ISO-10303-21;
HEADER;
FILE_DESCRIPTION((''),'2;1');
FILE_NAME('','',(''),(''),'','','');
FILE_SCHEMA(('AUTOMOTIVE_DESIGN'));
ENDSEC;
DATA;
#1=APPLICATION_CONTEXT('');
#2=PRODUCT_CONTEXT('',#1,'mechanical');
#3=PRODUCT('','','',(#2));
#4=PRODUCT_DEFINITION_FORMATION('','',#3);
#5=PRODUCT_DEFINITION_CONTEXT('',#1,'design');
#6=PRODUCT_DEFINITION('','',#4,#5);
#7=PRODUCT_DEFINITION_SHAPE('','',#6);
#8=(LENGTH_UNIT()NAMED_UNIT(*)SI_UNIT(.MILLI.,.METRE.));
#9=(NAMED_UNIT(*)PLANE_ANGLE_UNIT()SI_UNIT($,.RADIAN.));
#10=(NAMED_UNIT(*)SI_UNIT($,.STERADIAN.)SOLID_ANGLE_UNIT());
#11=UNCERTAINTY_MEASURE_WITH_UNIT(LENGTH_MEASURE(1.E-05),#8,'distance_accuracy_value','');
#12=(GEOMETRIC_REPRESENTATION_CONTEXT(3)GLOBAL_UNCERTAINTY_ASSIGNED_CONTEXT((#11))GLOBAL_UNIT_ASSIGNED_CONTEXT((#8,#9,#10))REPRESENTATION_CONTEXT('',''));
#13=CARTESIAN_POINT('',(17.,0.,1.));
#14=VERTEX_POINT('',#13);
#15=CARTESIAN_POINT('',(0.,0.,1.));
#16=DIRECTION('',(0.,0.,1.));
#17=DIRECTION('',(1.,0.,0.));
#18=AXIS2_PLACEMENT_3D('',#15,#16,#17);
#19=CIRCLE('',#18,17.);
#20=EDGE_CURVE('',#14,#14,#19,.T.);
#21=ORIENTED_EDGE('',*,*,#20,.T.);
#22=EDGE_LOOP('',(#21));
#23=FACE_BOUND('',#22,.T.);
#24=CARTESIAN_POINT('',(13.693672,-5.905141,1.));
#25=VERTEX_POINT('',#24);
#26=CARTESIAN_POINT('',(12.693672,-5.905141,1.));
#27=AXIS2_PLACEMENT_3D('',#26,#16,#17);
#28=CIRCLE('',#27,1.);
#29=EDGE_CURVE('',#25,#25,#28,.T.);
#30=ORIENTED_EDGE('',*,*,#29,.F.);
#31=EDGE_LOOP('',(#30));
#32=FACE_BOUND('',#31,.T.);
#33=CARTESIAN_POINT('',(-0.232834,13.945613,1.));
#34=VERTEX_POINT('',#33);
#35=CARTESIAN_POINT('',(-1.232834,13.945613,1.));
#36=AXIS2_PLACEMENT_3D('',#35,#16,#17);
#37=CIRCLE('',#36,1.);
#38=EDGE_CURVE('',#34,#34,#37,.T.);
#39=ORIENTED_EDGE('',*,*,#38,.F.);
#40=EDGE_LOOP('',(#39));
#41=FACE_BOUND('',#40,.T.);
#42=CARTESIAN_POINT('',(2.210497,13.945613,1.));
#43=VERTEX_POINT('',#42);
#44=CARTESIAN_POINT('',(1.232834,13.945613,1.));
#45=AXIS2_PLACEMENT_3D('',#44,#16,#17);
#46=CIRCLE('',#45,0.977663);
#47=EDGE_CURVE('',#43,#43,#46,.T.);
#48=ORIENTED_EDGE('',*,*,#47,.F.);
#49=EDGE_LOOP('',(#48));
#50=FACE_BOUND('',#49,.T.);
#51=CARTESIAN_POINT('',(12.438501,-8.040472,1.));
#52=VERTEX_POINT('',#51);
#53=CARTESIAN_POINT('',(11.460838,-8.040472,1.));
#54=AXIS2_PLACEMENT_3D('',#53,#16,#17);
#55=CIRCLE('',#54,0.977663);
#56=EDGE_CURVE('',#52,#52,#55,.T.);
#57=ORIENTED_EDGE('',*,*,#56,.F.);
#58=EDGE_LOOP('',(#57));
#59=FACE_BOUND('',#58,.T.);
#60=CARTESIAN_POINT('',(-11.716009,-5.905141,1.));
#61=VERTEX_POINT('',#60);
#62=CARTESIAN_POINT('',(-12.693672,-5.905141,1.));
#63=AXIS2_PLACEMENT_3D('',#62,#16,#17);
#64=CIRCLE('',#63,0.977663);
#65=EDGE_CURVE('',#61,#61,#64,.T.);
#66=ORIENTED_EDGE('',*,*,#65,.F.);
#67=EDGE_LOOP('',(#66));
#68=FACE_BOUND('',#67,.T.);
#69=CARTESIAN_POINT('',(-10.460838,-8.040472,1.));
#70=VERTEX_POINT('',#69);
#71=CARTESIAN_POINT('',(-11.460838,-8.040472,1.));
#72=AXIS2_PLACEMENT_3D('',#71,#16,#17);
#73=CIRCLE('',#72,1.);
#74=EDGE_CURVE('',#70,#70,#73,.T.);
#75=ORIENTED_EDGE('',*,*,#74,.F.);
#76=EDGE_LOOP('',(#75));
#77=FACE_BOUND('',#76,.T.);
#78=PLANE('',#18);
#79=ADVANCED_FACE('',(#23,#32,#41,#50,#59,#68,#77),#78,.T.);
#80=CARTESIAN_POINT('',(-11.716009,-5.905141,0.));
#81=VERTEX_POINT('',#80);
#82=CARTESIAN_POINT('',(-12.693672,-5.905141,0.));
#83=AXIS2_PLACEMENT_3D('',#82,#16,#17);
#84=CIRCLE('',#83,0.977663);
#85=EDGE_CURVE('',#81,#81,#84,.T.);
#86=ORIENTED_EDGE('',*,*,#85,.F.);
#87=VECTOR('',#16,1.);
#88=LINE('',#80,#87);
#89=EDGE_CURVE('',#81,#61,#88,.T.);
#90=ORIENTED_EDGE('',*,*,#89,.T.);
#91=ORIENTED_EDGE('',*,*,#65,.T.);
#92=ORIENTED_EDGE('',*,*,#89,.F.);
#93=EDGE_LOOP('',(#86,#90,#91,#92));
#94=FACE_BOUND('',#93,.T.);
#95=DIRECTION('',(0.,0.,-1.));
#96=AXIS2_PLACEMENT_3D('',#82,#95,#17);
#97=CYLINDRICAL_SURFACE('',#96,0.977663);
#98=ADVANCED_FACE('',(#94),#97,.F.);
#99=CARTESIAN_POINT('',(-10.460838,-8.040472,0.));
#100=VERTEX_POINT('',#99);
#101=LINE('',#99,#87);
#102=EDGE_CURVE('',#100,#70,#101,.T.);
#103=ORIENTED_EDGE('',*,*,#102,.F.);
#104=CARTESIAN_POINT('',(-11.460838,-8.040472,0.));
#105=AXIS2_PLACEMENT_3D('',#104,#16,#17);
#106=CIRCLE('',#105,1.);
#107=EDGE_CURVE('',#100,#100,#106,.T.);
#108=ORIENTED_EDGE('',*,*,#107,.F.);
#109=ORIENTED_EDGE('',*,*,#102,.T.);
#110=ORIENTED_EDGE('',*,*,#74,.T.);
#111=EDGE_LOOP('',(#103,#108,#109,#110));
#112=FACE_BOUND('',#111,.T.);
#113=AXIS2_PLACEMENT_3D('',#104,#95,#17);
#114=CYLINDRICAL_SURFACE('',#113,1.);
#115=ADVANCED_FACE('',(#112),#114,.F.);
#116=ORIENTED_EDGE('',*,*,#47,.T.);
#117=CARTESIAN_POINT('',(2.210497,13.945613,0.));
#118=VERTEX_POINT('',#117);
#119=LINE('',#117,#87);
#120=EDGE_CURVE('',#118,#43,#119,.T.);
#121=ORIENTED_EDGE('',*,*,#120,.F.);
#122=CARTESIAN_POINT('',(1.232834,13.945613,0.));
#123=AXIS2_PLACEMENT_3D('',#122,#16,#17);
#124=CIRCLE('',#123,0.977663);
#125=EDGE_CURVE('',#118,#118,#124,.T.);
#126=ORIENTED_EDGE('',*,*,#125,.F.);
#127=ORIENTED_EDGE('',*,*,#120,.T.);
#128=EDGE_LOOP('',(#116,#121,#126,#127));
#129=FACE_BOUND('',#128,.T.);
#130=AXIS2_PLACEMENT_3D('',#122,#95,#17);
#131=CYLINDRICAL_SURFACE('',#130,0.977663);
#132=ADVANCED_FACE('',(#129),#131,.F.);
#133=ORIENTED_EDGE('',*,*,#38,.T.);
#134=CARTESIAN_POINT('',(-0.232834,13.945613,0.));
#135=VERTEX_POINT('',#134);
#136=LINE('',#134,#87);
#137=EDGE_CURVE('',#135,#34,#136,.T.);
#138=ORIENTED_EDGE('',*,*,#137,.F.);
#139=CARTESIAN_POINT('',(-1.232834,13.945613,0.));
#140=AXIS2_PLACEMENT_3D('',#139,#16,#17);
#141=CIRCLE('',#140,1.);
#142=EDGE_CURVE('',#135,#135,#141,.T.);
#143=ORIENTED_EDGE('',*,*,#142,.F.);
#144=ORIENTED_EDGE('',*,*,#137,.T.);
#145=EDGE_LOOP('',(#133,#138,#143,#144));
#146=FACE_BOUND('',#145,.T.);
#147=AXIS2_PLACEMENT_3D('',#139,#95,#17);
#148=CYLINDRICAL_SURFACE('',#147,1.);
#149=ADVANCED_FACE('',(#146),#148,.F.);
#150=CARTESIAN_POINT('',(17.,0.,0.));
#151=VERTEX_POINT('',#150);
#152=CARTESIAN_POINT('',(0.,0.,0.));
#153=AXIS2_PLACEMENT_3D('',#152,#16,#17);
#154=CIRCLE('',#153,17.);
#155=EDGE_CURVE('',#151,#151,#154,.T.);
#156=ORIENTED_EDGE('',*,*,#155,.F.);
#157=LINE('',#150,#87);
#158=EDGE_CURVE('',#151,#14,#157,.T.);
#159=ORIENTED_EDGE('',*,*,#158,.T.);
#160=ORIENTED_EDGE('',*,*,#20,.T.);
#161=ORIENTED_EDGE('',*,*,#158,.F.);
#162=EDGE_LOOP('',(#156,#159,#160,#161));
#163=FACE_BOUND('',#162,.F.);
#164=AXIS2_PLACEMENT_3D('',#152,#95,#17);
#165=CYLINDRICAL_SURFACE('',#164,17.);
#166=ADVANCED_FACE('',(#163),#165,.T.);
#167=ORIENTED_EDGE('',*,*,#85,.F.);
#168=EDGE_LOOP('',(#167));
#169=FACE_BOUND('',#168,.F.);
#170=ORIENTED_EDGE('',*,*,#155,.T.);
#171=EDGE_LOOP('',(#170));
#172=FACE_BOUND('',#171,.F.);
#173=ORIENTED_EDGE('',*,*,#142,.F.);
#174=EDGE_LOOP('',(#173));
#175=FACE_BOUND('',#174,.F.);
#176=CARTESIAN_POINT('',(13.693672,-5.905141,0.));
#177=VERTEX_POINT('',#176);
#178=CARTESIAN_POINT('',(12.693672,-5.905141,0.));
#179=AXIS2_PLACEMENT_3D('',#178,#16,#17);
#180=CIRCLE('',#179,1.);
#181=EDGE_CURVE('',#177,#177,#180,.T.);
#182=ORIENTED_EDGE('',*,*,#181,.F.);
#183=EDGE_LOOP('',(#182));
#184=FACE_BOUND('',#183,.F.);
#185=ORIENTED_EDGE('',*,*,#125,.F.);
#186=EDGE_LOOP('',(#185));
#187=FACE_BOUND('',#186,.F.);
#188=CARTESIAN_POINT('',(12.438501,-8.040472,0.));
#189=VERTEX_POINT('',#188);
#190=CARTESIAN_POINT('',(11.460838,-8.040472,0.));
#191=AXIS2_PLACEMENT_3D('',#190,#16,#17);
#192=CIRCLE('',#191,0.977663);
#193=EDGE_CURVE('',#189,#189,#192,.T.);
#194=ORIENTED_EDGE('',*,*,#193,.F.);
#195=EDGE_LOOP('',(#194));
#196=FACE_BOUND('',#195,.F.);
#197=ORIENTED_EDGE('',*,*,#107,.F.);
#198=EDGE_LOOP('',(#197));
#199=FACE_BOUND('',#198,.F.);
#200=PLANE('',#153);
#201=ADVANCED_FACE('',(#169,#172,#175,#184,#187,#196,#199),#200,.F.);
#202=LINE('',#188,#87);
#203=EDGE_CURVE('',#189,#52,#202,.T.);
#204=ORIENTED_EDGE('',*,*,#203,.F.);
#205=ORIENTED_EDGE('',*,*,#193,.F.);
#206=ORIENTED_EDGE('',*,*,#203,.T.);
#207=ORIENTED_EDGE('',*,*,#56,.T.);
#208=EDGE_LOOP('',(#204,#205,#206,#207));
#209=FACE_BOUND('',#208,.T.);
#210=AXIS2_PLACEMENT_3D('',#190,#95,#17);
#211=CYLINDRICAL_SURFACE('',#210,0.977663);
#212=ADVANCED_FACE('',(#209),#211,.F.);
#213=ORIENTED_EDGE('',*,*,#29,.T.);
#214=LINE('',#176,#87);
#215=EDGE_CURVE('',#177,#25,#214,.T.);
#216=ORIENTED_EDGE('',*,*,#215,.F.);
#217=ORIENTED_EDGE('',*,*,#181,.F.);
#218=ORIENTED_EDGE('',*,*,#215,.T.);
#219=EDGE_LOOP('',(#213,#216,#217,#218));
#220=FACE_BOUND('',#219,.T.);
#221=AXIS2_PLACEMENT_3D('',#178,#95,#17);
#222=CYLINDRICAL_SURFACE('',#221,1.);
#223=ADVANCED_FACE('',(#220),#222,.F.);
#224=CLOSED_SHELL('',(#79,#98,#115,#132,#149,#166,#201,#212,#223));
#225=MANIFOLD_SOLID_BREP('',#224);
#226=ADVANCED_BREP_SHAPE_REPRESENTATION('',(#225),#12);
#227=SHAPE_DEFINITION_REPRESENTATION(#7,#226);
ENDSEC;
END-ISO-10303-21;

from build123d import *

# Parameters (mm, degrees)
F0_R     = 17
F0_R_2   = 1
F0_R_3   = 0.977663
F1_DEPTH = 1


with BuildPart() as f1:
    # F0 (on Top) → F1 (new body)
    with BuildSketch(Plane.XY):
        Circle(F0_R)
        with Locations((-11.460838, -8.040472)):
            Circle(F0_R_2, mode=Mode.SUBTRACT)
        with Locations((-12.693672, -5.905141)):
            Circle(F0_R_3, mode=Mode.SUBTRACT)
        with Locations((11.460838, -8.040472)):
            Circle(F0_R_3, mode=Mode.SUBTRACT)
        with Locations((12.693672, -5.905141)):
            Circle(F0_R_2, mode=Mode.SUBTRACT)
        with Locations((-1.232834, 13.945613)):
            Circle(F0_R_2, mode=Mode.SUBTRACT)
        with Locations((1.232834, 13.945613)):
            Circle(F0_R_3, mode=Mode.SUBTRACT)
    extrude(amount=F1_DEPTH)


solid = f1.part
